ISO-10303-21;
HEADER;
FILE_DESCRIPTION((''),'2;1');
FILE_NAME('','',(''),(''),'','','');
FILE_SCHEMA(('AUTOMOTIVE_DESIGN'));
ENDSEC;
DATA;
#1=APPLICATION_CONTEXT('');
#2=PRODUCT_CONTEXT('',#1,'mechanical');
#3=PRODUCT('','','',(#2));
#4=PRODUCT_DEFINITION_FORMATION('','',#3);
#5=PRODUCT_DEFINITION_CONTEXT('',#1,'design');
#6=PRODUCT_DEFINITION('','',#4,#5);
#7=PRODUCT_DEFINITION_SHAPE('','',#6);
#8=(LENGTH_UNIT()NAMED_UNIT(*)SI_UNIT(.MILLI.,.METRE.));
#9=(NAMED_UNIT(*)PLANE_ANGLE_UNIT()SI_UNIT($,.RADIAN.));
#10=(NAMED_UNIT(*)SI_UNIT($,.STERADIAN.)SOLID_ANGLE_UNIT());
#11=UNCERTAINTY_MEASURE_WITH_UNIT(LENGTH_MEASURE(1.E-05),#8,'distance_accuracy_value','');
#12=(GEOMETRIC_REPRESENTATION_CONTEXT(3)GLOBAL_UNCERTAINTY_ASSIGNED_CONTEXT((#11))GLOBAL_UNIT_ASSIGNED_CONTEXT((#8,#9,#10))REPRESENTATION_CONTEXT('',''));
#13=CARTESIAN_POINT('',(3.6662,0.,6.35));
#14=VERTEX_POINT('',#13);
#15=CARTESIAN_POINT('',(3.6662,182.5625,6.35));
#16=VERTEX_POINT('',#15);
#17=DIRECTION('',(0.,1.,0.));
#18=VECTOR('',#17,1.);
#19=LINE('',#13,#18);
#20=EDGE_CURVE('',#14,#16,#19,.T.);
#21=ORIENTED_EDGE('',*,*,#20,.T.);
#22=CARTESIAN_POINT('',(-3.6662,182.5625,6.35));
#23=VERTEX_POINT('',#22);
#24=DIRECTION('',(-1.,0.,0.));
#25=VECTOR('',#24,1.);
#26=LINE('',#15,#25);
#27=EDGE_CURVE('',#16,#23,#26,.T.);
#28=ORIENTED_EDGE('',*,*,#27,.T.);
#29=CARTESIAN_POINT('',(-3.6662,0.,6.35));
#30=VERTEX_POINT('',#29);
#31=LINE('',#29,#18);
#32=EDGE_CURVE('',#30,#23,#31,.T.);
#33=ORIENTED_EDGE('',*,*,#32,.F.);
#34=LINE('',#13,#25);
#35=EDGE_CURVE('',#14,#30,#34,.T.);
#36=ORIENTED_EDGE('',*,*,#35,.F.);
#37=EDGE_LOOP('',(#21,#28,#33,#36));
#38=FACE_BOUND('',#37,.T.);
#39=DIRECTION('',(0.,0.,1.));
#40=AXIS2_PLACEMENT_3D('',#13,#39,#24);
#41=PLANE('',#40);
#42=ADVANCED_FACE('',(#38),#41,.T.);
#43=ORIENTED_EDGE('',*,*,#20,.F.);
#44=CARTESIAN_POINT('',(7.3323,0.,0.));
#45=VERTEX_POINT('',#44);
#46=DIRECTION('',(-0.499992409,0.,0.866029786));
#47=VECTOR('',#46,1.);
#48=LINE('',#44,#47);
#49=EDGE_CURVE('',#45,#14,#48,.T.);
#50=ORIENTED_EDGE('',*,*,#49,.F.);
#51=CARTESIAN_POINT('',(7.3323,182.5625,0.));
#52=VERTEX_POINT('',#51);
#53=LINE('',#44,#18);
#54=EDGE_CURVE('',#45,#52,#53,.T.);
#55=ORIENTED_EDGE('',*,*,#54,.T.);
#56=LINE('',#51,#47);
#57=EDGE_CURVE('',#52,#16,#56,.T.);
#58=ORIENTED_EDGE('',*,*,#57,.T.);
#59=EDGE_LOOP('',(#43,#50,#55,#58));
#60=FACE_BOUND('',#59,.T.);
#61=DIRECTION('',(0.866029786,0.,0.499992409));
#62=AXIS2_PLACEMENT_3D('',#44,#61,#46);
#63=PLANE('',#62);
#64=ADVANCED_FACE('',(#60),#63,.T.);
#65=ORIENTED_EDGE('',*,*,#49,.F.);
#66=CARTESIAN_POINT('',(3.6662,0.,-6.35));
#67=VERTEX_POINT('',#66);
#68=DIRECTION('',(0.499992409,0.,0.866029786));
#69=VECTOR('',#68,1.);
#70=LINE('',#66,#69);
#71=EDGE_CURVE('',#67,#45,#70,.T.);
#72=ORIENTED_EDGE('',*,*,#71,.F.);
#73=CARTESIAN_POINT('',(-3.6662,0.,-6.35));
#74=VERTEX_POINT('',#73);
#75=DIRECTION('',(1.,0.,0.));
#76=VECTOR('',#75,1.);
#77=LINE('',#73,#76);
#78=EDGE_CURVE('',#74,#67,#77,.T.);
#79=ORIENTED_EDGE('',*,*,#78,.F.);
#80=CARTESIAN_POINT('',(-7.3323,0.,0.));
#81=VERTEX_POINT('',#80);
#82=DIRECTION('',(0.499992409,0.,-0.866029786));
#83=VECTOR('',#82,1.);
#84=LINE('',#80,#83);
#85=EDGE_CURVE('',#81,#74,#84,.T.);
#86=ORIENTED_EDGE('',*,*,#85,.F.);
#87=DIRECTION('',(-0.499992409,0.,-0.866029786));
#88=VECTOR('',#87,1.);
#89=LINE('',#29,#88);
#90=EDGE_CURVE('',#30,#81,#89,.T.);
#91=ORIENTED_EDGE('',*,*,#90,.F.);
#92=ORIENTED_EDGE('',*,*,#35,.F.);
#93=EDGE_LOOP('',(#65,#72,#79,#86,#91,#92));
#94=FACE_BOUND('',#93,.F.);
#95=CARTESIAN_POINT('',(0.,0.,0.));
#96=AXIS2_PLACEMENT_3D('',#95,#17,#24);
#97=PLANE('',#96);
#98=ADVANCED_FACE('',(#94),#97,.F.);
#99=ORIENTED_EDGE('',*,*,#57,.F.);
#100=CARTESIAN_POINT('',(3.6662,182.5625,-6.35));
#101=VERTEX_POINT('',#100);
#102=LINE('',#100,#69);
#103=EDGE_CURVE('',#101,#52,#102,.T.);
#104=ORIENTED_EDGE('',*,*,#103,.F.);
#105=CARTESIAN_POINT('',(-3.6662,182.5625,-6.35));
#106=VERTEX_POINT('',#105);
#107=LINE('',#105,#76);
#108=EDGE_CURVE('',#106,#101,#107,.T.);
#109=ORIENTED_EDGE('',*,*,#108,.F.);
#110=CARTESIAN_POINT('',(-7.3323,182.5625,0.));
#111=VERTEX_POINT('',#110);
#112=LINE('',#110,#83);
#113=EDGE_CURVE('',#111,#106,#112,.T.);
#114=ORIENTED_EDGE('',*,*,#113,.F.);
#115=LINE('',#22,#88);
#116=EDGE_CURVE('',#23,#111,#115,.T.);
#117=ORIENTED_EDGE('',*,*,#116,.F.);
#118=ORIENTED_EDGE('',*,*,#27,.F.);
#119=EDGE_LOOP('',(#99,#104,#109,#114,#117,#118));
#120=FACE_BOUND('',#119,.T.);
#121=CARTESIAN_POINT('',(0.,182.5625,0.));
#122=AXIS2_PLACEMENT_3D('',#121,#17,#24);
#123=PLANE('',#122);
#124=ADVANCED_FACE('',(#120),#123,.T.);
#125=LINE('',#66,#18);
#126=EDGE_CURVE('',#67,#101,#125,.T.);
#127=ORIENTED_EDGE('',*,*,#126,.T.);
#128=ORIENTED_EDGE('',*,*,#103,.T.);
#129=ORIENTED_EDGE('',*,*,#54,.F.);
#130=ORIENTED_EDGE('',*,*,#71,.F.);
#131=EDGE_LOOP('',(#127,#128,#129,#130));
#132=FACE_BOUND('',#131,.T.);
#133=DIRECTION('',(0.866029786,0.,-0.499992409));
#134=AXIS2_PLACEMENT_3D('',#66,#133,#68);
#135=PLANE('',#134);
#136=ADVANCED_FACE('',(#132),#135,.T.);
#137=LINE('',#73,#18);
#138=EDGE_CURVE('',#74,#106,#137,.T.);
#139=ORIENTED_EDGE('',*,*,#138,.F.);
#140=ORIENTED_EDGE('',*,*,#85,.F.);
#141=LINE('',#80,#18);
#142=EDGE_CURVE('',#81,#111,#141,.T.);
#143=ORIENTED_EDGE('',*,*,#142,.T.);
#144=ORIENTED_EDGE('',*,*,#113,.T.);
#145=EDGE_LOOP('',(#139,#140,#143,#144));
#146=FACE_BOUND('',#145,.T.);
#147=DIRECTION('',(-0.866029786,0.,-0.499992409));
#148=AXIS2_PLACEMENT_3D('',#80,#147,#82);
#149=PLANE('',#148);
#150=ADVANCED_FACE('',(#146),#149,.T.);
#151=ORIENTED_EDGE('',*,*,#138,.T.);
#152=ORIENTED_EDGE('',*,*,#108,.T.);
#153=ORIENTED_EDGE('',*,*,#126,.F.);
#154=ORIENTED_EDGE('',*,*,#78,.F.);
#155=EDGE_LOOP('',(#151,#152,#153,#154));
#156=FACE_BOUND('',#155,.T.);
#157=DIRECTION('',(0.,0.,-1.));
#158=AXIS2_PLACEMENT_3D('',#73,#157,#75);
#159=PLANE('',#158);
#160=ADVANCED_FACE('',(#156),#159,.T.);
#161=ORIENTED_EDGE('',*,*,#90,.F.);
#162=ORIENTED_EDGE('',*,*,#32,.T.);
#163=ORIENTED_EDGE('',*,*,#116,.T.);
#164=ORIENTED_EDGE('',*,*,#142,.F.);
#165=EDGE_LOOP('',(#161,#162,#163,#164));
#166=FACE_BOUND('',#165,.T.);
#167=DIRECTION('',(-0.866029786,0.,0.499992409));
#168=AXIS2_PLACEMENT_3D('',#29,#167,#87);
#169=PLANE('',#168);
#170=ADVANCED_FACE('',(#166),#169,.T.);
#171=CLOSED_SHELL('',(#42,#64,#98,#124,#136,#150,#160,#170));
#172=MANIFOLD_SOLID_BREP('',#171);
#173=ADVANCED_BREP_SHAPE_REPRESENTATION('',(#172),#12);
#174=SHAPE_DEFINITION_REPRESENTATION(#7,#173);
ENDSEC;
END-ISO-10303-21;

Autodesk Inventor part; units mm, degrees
ref_plane "YZ Plane" through (0, 0, 0) normal (1, 0, 0) x (0, 1, 0)
ref_plane "XZ Plane" through (0, 0, 0) normal (0, 1, 0) x (-1, 0, 0)
ref_plane "XY Plane" through (0, 0, 0) normal (0, 0, 1) x (1, 0, 0)
sketch "Sketch1" plane through (0, 0, 0) normal (0, 1, 0) x (-1, 0, 0)
  line L0 (-3.6662, -6.35) -> (-7.3323, 0)
  line L1 (-7.3323, 0) -> (-3.6662, 6.35)
  line L2 (-3.6662, 6.35) -> (3.6662, 6.35)
  line L3 (3.6662, 6.35) -> (7.3323, 0)
  line L4 (7.3323, 0) -> (3.6662, -6.35)
  line L5 (3.6662, -6.35) -> (-3.6662, -6.35)
  point P0 (0, 0)
  point P1 (0, 0)
  dimension "d0" = 12.7
extrude "Extrusion1" add sketch "Sketch1" along normal blind 182.5625
properties part number "STOCK,TOP-RIGHT,HEX"
